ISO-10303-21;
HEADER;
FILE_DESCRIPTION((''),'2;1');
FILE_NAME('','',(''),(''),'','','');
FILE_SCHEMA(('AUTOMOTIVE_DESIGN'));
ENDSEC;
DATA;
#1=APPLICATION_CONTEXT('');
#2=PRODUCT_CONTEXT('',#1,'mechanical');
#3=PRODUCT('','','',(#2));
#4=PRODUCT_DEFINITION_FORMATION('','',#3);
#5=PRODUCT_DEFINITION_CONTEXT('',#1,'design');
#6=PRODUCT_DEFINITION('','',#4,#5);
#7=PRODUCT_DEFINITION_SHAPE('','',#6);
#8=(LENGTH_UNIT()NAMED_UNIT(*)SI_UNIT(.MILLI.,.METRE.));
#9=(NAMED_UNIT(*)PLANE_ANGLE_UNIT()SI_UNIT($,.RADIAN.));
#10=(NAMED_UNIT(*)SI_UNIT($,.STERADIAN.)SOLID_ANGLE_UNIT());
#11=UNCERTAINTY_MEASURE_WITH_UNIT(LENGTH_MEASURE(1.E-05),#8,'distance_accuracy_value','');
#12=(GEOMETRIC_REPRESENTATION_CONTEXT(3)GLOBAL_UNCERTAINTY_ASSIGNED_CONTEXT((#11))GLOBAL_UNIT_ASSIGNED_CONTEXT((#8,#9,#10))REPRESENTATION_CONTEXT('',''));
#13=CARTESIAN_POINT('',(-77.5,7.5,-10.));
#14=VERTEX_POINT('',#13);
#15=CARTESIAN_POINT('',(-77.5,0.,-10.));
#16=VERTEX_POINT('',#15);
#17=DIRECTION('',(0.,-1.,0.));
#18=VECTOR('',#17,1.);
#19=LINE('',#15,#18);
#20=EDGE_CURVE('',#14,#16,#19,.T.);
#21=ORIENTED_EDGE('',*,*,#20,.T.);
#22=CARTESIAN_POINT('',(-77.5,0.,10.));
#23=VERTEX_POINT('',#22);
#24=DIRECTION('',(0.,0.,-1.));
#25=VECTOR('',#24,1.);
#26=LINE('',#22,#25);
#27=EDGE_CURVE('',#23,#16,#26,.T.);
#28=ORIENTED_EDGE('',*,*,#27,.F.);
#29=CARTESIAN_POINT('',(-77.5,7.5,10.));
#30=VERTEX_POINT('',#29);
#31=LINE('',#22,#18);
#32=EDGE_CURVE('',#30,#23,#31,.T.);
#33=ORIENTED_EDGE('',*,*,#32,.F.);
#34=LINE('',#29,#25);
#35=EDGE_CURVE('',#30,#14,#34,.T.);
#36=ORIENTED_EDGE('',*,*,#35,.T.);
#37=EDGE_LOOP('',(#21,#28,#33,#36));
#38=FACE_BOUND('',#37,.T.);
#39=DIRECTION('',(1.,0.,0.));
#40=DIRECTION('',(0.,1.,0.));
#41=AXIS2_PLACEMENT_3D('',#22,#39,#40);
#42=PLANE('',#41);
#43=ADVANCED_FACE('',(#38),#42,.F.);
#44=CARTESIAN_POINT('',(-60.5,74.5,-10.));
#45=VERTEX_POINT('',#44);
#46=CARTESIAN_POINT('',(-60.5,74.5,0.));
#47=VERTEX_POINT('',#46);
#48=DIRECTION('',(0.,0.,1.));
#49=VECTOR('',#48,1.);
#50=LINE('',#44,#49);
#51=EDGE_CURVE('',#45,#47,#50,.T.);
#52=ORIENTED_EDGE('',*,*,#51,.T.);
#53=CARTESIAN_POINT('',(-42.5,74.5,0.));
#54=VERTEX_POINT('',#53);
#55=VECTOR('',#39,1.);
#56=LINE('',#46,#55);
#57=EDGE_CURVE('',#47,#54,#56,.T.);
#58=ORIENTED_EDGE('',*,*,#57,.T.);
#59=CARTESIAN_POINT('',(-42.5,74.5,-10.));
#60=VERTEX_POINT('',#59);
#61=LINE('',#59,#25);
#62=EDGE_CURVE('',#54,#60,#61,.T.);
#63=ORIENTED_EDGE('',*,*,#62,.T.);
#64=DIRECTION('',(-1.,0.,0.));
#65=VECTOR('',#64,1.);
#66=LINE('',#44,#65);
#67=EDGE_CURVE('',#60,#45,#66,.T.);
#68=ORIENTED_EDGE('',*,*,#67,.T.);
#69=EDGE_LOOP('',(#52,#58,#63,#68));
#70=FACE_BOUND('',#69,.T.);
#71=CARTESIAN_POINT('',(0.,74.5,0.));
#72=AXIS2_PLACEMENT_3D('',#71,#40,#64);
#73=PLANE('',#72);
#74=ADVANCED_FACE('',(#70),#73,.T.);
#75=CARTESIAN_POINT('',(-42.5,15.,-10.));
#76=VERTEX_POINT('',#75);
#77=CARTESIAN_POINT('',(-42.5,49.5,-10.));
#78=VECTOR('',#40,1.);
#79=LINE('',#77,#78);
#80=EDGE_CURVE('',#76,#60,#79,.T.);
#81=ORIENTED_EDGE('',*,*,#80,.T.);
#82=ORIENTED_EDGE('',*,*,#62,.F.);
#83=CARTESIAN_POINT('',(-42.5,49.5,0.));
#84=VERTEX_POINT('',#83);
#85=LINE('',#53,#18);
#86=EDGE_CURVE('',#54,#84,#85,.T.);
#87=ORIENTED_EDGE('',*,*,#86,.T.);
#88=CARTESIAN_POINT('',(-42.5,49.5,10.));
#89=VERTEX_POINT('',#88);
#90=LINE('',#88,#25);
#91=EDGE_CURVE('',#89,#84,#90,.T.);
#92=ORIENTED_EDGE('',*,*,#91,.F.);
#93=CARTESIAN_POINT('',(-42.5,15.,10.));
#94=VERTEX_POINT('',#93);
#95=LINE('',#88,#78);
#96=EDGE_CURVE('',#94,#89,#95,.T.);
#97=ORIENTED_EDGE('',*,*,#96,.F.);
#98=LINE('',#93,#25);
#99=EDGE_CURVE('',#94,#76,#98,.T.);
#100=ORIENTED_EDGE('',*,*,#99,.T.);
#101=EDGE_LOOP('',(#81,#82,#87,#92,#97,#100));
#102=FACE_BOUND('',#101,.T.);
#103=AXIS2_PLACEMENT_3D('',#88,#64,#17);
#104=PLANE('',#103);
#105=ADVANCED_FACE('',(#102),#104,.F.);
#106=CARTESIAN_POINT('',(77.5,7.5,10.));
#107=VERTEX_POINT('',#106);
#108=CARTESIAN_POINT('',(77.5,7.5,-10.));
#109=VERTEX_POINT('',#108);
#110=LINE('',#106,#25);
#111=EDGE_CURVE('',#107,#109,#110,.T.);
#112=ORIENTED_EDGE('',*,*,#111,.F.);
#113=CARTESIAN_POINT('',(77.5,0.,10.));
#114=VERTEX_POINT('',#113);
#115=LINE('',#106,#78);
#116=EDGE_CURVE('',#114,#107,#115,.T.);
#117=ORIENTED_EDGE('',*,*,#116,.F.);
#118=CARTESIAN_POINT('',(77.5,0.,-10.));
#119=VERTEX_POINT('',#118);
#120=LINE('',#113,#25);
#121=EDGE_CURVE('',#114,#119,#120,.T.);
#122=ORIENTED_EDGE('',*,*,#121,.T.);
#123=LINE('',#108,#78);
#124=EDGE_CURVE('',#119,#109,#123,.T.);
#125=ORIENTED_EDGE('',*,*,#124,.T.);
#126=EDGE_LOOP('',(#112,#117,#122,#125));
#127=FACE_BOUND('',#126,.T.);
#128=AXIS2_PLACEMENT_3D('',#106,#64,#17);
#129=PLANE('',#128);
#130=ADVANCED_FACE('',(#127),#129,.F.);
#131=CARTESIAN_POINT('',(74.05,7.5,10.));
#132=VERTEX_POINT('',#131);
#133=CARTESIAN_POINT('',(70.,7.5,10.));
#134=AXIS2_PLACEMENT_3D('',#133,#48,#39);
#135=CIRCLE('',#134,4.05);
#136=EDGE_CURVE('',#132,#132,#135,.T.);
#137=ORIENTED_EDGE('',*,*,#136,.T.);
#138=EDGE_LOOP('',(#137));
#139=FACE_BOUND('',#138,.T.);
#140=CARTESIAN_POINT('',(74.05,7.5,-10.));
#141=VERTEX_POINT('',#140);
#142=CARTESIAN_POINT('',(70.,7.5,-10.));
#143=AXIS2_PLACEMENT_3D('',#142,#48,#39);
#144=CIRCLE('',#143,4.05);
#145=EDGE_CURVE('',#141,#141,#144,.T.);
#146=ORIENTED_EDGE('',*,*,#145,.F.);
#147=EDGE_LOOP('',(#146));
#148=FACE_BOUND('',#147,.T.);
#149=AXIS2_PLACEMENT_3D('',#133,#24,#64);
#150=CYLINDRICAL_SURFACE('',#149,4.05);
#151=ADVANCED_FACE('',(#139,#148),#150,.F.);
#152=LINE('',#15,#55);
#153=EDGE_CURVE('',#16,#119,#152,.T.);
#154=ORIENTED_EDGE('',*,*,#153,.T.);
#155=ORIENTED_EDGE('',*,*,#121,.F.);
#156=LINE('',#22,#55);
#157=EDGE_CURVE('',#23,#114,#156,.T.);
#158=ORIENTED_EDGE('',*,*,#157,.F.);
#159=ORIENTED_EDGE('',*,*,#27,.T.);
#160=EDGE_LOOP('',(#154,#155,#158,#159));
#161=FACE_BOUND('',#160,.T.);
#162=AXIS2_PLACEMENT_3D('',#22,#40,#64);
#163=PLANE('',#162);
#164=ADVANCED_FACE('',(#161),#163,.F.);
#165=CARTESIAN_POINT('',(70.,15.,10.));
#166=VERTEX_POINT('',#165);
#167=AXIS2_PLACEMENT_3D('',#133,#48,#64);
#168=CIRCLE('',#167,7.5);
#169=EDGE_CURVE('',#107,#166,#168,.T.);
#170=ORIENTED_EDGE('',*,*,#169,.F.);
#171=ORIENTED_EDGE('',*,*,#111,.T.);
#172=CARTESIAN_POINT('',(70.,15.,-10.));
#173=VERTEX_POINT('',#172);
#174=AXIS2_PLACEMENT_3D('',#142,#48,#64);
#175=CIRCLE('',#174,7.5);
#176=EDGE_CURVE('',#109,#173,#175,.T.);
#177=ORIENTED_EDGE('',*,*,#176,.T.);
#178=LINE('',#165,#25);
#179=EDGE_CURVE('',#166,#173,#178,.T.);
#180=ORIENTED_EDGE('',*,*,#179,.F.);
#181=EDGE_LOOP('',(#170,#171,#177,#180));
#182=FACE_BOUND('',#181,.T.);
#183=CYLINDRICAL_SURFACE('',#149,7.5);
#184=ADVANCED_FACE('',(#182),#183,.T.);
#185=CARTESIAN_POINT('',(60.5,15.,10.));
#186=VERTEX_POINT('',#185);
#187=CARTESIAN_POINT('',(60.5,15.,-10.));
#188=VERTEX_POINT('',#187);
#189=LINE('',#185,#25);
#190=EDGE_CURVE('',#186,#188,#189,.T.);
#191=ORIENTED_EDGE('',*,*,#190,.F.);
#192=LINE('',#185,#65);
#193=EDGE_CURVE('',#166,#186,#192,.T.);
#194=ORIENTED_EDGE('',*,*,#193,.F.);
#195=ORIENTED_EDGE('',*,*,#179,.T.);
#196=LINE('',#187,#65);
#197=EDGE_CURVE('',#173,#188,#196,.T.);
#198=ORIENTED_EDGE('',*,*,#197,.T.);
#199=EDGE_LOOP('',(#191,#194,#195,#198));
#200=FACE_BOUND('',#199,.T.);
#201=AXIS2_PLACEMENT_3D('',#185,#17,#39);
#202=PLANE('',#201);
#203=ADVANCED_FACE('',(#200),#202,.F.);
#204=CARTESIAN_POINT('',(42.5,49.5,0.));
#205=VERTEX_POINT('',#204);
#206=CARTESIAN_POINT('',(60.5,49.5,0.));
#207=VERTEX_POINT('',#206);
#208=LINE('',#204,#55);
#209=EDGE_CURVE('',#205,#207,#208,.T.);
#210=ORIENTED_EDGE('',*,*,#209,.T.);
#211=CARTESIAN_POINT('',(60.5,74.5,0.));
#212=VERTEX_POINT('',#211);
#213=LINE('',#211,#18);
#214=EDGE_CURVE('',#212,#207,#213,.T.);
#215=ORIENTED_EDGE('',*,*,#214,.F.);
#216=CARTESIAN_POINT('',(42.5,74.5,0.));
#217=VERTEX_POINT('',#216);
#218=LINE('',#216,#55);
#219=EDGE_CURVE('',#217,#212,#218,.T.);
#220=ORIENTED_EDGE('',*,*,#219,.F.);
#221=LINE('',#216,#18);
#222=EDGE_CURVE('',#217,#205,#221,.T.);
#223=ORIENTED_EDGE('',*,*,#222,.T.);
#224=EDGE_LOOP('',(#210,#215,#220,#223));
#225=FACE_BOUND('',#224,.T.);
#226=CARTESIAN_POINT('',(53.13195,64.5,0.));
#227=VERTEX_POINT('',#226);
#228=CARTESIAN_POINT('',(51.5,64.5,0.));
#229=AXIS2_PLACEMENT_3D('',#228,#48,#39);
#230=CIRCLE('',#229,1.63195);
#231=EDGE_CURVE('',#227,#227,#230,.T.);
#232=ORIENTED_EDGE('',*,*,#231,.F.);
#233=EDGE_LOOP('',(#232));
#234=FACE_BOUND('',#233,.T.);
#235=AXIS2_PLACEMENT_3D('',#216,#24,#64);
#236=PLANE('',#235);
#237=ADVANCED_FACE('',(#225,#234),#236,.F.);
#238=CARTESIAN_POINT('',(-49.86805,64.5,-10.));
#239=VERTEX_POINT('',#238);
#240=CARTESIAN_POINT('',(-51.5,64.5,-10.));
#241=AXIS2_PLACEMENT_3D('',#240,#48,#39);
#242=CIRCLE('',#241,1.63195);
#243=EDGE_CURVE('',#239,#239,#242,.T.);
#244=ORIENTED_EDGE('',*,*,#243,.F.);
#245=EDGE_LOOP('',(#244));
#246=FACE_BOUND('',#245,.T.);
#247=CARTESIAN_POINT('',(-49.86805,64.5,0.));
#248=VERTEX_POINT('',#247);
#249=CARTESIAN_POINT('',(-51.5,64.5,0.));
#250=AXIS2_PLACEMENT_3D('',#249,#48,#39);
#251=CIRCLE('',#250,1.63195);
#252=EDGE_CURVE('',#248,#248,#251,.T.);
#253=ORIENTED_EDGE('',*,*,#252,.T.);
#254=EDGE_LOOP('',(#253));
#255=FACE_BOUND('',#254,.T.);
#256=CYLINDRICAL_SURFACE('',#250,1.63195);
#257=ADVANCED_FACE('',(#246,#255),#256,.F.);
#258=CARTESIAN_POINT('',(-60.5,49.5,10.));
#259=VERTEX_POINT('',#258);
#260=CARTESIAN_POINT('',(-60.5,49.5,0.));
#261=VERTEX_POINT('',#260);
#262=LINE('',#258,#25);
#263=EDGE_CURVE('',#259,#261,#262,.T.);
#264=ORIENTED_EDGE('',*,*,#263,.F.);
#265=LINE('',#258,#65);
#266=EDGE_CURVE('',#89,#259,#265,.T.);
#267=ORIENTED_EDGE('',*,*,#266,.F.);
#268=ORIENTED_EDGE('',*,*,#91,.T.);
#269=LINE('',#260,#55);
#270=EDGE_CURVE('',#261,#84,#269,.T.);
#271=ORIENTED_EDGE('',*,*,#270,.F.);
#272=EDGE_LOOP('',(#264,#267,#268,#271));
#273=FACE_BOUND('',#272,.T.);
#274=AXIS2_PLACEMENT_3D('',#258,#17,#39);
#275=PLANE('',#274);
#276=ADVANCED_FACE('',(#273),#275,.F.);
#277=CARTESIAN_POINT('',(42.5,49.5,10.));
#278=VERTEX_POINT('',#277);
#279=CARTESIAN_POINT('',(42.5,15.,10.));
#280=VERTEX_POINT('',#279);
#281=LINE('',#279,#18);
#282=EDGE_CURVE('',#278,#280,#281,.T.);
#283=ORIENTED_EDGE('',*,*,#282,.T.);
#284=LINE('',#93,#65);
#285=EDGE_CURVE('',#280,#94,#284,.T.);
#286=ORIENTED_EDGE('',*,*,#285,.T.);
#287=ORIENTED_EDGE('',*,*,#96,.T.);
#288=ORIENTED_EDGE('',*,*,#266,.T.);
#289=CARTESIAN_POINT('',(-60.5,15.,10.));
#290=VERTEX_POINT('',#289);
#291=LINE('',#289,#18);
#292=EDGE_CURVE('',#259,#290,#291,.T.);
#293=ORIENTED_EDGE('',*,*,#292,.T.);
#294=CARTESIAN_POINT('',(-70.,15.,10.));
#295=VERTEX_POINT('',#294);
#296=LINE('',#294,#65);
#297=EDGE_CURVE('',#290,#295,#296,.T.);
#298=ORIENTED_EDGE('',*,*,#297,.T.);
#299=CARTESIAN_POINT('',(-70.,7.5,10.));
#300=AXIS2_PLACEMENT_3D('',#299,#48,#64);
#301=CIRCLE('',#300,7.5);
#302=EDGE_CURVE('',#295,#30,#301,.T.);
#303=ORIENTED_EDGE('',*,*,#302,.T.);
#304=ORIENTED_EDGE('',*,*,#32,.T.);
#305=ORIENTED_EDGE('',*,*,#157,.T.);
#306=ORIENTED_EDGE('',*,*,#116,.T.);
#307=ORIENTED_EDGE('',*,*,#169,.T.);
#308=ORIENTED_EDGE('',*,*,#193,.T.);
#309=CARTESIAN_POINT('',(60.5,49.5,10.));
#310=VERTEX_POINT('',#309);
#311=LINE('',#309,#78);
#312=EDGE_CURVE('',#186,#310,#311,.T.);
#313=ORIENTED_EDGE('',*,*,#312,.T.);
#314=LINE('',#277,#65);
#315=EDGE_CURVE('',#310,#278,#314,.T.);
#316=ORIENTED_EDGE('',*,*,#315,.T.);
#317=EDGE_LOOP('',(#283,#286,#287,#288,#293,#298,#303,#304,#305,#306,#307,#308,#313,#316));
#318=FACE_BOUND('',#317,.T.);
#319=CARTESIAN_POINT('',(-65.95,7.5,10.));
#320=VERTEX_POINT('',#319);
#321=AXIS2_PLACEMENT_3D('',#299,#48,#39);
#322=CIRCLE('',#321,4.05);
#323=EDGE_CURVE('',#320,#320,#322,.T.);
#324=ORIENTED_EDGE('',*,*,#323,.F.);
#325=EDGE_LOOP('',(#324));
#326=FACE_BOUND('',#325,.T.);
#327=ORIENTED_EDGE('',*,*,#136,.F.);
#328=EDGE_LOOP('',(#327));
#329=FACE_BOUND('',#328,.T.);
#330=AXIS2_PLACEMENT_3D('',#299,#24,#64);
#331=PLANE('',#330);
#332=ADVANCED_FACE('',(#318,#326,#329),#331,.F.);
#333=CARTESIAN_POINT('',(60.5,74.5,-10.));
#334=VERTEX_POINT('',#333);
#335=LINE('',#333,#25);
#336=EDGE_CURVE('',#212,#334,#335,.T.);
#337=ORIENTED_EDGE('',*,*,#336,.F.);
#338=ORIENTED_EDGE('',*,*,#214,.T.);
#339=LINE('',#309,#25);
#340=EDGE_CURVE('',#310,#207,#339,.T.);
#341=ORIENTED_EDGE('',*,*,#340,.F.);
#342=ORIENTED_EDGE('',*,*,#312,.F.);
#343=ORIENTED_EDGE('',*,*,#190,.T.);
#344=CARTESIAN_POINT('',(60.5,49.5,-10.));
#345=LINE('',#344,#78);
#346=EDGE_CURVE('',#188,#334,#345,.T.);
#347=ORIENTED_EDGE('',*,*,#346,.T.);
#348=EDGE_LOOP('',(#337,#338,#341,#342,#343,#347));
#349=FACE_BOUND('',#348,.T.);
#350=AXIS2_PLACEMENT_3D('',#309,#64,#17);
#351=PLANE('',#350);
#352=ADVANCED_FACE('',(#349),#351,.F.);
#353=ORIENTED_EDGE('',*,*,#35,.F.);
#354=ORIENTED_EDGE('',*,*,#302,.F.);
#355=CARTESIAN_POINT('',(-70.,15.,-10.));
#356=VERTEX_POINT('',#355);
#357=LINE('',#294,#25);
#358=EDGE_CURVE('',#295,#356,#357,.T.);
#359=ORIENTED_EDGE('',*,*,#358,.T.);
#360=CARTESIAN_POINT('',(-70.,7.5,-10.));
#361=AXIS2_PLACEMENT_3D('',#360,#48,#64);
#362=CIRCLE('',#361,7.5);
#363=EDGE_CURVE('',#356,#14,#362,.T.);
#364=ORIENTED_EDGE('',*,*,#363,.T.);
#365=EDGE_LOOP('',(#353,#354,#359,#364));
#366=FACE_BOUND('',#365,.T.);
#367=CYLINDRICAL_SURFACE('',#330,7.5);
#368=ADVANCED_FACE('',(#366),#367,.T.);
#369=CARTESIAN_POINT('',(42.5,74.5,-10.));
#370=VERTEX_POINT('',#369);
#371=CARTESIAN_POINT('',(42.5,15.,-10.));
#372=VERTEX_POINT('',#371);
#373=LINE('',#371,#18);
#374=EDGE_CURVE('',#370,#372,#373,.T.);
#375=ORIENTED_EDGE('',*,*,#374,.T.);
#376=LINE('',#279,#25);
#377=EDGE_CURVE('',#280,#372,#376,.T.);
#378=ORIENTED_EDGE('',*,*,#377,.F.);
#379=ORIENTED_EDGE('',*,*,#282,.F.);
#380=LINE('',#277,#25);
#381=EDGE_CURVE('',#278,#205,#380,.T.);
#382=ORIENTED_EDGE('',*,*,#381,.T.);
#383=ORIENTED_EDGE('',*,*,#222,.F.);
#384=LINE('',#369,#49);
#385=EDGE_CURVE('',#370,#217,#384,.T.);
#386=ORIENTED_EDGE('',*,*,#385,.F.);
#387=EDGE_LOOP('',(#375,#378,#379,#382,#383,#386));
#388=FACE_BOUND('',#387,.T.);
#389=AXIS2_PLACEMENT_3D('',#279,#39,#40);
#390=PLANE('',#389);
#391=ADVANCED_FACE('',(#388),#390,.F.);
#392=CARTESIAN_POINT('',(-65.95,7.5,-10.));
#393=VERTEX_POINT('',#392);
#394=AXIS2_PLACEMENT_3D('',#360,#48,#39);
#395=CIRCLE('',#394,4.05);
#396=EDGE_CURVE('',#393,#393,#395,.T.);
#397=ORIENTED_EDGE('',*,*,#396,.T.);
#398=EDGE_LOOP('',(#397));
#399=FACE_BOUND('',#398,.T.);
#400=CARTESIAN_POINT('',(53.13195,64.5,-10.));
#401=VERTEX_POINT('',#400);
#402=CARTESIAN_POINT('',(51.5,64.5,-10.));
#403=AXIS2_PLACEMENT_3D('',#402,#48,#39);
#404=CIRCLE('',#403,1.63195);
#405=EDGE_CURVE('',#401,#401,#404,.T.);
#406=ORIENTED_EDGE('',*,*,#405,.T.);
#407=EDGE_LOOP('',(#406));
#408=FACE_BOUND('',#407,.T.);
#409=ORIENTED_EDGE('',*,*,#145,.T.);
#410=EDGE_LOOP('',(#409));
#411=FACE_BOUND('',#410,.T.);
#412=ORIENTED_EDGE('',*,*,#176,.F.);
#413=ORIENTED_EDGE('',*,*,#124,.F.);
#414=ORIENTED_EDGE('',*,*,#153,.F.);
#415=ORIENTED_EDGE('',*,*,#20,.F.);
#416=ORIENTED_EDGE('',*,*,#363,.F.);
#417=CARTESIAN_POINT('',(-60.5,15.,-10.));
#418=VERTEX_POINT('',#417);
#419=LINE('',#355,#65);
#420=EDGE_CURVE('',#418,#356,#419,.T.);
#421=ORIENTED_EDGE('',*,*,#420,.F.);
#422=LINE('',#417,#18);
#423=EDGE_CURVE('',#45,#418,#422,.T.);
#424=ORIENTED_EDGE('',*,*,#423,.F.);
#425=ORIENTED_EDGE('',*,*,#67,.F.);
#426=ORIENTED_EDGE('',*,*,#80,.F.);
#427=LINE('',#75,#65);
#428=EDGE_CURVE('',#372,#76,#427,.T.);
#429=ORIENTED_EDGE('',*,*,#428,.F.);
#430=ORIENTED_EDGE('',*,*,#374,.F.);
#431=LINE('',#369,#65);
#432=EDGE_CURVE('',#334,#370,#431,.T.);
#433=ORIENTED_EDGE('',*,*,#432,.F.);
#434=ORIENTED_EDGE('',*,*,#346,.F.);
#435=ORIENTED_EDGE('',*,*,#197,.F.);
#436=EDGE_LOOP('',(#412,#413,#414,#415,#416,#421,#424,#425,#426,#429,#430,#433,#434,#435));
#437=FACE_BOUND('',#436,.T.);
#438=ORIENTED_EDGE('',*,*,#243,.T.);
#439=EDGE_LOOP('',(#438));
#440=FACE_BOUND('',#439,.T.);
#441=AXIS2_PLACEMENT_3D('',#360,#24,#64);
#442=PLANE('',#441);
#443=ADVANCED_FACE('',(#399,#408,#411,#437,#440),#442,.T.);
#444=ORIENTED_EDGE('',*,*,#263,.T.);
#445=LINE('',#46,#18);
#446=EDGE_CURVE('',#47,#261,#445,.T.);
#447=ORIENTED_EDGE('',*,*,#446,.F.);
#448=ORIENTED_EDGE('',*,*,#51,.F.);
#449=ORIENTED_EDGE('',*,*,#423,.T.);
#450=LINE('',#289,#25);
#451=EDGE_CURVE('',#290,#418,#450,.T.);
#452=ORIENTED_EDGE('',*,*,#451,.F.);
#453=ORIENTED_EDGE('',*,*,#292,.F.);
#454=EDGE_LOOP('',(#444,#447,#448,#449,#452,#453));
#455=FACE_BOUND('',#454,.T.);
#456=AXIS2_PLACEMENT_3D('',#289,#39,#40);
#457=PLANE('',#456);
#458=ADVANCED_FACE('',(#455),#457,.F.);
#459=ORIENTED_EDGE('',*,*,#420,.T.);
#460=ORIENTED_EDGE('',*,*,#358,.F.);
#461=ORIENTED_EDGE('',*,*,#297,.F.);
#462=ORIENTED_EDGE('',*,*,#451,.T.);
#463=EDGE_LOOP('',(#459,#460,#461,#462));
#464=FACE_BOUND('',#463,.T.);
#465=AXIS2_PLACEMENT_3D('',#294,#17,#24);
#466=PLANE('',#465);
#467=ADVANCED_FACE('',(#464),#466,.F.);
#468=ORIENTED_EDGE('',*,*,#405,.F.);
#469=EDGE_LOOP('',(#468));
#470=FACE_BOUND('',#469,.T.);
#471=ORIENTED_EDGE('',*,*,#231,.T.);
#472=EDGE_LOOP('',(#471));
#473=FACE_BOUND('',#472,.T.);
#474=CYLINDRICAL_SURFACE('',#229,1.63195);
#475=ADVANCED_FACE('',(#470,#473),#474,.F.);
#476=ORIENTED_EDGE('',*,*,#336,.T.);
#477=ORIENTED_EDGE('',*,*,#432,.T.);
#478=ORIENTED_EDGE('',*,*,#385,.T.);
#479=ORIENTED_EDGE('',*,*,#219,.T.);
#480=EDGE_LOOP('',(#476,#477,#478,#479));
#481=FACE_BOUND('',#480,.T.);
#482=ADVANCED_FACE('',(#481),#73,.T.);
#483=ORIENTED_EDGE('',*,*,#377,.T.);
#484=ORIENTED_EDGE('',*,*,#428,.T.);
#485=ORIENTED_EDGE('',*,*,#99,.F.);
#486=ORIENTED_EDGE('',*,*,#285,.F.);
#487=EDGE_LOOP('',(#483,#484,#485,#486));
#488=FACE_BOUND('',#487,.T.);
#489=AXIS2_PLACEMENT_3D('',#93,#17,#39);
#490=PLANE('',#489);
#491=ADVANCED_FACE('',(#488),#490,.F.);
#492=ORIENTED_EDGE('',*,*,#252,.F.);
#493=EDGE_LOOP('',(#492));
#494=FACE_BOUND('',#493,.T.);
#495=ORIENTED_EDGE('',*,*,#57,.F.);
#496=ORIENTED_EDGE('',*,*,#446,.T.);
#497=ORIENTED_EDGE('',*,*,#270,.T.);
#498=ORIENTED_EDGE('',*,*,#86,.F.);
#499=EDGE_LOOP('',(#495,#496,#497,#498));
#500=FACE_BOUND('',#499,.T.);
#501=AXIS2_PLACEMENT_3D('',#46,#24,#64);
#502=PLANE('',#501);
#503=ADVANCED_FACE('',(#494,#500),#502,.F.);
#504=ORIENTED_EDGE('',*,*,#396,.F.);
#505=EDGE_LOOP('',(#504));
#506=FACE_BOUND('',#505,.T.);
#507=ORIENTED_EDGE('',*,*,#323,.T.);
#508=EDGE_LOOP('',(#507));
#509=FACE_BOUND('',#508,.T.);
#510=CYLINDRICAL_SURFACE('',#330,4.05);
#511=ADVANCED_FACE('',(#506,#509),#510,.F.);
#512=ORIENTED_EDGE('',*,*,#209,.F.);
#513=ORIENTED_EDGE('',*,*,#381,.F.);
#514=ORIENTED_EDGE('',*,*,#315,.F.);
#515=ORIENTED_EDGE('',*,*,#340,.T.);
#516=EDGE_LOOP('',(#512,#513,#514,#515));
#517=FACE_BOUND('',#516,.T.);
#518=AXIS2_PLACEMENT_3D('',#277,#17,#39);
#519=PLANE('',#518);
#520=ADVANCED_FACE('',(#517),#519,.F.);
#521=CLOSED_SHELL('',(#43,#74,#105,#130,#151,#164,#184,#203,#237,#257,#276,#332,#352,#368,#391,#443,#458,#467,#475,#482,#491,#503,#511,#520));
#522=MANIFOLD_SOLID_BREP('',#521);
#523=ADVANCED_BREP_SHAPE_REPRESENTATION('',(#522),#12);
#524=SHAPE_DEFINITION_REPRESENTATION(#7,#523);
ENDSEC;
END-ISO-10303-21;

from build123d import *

# Parameters (mm, degrees)
SKETCH1_R             = 4.05
BOSS_EXTRUDE1_DEPTH   = 10
SKETCH2_W             = 18
SKETCH2_H             = 10
BOSS_EXTRUDE2_DEPTH   = 25
F_4_CLEARANCE_HOLE1_D = 3.2639


with BuildPart() as part:
    # Sketch1 → Boss-Extrude1 (new, symmetric)
    with BuildSketch(Plane.XY):
        with BuildLine():
            Line((-77.5, 0), (77.5, 0))
            Line((77.5, 0), (77.5, 7.5))
            ThreePointArc((77.5, 7.5), (75.303300859, 12.803300859), (70, 15))
            Line((70, 15), (60.5, 15))
            Line((60.5, 15), (60.5, 49.5))
            Line((60.5, 49.5), (42.5, 49.5))
            Line((42.5, 49.5), (42.5, 15))
            Line((42.5, 15), (-42.5, 15))
            Line((-42.5, 15), (-42.5, 49.5))
            Line((-42.5, 49.5), (-60.5, 49.5))
            Line((-60.5, 49.5), (-60.5, 15))
            Line((-60.5, 15), (-70, 15))
            ThreePointArc((-70, 15), (-75.303300859, 12.803300859), (-77.5, 7.5))
            Line((-77.5, 7.5), (-77.5, 0))
        make_face()
        with Locations((-70, 7.5)):
            Circle(SKETCH1_R, mode=Mode.SUBTRACT)
        with Locations((70, 7.5)):
            Circle(SKETCH1_R, mode=Mode.SUBTRACT)
    extrude(amount=BOSS_EXTRUDE1_DEPTH, both=True)

    # Sketch2 → Boss-Extrude2 (add)
    with BuildSketch(Plane(origin=(0, 49.5, 0), x_dir=(1, 0, 0), z_dir=(0, 1, 0))):
        with Locations((51.5, 5)):
            Rectangle(SKETCH2_W, SKETCH2_H)
        with Locations((-51.5, 5)):
            Rectangle(SKETCH2_W, SKETCH2_H)
    extrude(amount=BOSS_EXTRUDE2_DEPTH)

    # #4 Clearance Hole1 (through all)
    with Locations(Plane.XY):
        with Locations((-51.5, 64.5), (51.5, 64.5)):
            Hole(F_4_CLEARANCE_HOLE1_D / 2)


solid = part.part
